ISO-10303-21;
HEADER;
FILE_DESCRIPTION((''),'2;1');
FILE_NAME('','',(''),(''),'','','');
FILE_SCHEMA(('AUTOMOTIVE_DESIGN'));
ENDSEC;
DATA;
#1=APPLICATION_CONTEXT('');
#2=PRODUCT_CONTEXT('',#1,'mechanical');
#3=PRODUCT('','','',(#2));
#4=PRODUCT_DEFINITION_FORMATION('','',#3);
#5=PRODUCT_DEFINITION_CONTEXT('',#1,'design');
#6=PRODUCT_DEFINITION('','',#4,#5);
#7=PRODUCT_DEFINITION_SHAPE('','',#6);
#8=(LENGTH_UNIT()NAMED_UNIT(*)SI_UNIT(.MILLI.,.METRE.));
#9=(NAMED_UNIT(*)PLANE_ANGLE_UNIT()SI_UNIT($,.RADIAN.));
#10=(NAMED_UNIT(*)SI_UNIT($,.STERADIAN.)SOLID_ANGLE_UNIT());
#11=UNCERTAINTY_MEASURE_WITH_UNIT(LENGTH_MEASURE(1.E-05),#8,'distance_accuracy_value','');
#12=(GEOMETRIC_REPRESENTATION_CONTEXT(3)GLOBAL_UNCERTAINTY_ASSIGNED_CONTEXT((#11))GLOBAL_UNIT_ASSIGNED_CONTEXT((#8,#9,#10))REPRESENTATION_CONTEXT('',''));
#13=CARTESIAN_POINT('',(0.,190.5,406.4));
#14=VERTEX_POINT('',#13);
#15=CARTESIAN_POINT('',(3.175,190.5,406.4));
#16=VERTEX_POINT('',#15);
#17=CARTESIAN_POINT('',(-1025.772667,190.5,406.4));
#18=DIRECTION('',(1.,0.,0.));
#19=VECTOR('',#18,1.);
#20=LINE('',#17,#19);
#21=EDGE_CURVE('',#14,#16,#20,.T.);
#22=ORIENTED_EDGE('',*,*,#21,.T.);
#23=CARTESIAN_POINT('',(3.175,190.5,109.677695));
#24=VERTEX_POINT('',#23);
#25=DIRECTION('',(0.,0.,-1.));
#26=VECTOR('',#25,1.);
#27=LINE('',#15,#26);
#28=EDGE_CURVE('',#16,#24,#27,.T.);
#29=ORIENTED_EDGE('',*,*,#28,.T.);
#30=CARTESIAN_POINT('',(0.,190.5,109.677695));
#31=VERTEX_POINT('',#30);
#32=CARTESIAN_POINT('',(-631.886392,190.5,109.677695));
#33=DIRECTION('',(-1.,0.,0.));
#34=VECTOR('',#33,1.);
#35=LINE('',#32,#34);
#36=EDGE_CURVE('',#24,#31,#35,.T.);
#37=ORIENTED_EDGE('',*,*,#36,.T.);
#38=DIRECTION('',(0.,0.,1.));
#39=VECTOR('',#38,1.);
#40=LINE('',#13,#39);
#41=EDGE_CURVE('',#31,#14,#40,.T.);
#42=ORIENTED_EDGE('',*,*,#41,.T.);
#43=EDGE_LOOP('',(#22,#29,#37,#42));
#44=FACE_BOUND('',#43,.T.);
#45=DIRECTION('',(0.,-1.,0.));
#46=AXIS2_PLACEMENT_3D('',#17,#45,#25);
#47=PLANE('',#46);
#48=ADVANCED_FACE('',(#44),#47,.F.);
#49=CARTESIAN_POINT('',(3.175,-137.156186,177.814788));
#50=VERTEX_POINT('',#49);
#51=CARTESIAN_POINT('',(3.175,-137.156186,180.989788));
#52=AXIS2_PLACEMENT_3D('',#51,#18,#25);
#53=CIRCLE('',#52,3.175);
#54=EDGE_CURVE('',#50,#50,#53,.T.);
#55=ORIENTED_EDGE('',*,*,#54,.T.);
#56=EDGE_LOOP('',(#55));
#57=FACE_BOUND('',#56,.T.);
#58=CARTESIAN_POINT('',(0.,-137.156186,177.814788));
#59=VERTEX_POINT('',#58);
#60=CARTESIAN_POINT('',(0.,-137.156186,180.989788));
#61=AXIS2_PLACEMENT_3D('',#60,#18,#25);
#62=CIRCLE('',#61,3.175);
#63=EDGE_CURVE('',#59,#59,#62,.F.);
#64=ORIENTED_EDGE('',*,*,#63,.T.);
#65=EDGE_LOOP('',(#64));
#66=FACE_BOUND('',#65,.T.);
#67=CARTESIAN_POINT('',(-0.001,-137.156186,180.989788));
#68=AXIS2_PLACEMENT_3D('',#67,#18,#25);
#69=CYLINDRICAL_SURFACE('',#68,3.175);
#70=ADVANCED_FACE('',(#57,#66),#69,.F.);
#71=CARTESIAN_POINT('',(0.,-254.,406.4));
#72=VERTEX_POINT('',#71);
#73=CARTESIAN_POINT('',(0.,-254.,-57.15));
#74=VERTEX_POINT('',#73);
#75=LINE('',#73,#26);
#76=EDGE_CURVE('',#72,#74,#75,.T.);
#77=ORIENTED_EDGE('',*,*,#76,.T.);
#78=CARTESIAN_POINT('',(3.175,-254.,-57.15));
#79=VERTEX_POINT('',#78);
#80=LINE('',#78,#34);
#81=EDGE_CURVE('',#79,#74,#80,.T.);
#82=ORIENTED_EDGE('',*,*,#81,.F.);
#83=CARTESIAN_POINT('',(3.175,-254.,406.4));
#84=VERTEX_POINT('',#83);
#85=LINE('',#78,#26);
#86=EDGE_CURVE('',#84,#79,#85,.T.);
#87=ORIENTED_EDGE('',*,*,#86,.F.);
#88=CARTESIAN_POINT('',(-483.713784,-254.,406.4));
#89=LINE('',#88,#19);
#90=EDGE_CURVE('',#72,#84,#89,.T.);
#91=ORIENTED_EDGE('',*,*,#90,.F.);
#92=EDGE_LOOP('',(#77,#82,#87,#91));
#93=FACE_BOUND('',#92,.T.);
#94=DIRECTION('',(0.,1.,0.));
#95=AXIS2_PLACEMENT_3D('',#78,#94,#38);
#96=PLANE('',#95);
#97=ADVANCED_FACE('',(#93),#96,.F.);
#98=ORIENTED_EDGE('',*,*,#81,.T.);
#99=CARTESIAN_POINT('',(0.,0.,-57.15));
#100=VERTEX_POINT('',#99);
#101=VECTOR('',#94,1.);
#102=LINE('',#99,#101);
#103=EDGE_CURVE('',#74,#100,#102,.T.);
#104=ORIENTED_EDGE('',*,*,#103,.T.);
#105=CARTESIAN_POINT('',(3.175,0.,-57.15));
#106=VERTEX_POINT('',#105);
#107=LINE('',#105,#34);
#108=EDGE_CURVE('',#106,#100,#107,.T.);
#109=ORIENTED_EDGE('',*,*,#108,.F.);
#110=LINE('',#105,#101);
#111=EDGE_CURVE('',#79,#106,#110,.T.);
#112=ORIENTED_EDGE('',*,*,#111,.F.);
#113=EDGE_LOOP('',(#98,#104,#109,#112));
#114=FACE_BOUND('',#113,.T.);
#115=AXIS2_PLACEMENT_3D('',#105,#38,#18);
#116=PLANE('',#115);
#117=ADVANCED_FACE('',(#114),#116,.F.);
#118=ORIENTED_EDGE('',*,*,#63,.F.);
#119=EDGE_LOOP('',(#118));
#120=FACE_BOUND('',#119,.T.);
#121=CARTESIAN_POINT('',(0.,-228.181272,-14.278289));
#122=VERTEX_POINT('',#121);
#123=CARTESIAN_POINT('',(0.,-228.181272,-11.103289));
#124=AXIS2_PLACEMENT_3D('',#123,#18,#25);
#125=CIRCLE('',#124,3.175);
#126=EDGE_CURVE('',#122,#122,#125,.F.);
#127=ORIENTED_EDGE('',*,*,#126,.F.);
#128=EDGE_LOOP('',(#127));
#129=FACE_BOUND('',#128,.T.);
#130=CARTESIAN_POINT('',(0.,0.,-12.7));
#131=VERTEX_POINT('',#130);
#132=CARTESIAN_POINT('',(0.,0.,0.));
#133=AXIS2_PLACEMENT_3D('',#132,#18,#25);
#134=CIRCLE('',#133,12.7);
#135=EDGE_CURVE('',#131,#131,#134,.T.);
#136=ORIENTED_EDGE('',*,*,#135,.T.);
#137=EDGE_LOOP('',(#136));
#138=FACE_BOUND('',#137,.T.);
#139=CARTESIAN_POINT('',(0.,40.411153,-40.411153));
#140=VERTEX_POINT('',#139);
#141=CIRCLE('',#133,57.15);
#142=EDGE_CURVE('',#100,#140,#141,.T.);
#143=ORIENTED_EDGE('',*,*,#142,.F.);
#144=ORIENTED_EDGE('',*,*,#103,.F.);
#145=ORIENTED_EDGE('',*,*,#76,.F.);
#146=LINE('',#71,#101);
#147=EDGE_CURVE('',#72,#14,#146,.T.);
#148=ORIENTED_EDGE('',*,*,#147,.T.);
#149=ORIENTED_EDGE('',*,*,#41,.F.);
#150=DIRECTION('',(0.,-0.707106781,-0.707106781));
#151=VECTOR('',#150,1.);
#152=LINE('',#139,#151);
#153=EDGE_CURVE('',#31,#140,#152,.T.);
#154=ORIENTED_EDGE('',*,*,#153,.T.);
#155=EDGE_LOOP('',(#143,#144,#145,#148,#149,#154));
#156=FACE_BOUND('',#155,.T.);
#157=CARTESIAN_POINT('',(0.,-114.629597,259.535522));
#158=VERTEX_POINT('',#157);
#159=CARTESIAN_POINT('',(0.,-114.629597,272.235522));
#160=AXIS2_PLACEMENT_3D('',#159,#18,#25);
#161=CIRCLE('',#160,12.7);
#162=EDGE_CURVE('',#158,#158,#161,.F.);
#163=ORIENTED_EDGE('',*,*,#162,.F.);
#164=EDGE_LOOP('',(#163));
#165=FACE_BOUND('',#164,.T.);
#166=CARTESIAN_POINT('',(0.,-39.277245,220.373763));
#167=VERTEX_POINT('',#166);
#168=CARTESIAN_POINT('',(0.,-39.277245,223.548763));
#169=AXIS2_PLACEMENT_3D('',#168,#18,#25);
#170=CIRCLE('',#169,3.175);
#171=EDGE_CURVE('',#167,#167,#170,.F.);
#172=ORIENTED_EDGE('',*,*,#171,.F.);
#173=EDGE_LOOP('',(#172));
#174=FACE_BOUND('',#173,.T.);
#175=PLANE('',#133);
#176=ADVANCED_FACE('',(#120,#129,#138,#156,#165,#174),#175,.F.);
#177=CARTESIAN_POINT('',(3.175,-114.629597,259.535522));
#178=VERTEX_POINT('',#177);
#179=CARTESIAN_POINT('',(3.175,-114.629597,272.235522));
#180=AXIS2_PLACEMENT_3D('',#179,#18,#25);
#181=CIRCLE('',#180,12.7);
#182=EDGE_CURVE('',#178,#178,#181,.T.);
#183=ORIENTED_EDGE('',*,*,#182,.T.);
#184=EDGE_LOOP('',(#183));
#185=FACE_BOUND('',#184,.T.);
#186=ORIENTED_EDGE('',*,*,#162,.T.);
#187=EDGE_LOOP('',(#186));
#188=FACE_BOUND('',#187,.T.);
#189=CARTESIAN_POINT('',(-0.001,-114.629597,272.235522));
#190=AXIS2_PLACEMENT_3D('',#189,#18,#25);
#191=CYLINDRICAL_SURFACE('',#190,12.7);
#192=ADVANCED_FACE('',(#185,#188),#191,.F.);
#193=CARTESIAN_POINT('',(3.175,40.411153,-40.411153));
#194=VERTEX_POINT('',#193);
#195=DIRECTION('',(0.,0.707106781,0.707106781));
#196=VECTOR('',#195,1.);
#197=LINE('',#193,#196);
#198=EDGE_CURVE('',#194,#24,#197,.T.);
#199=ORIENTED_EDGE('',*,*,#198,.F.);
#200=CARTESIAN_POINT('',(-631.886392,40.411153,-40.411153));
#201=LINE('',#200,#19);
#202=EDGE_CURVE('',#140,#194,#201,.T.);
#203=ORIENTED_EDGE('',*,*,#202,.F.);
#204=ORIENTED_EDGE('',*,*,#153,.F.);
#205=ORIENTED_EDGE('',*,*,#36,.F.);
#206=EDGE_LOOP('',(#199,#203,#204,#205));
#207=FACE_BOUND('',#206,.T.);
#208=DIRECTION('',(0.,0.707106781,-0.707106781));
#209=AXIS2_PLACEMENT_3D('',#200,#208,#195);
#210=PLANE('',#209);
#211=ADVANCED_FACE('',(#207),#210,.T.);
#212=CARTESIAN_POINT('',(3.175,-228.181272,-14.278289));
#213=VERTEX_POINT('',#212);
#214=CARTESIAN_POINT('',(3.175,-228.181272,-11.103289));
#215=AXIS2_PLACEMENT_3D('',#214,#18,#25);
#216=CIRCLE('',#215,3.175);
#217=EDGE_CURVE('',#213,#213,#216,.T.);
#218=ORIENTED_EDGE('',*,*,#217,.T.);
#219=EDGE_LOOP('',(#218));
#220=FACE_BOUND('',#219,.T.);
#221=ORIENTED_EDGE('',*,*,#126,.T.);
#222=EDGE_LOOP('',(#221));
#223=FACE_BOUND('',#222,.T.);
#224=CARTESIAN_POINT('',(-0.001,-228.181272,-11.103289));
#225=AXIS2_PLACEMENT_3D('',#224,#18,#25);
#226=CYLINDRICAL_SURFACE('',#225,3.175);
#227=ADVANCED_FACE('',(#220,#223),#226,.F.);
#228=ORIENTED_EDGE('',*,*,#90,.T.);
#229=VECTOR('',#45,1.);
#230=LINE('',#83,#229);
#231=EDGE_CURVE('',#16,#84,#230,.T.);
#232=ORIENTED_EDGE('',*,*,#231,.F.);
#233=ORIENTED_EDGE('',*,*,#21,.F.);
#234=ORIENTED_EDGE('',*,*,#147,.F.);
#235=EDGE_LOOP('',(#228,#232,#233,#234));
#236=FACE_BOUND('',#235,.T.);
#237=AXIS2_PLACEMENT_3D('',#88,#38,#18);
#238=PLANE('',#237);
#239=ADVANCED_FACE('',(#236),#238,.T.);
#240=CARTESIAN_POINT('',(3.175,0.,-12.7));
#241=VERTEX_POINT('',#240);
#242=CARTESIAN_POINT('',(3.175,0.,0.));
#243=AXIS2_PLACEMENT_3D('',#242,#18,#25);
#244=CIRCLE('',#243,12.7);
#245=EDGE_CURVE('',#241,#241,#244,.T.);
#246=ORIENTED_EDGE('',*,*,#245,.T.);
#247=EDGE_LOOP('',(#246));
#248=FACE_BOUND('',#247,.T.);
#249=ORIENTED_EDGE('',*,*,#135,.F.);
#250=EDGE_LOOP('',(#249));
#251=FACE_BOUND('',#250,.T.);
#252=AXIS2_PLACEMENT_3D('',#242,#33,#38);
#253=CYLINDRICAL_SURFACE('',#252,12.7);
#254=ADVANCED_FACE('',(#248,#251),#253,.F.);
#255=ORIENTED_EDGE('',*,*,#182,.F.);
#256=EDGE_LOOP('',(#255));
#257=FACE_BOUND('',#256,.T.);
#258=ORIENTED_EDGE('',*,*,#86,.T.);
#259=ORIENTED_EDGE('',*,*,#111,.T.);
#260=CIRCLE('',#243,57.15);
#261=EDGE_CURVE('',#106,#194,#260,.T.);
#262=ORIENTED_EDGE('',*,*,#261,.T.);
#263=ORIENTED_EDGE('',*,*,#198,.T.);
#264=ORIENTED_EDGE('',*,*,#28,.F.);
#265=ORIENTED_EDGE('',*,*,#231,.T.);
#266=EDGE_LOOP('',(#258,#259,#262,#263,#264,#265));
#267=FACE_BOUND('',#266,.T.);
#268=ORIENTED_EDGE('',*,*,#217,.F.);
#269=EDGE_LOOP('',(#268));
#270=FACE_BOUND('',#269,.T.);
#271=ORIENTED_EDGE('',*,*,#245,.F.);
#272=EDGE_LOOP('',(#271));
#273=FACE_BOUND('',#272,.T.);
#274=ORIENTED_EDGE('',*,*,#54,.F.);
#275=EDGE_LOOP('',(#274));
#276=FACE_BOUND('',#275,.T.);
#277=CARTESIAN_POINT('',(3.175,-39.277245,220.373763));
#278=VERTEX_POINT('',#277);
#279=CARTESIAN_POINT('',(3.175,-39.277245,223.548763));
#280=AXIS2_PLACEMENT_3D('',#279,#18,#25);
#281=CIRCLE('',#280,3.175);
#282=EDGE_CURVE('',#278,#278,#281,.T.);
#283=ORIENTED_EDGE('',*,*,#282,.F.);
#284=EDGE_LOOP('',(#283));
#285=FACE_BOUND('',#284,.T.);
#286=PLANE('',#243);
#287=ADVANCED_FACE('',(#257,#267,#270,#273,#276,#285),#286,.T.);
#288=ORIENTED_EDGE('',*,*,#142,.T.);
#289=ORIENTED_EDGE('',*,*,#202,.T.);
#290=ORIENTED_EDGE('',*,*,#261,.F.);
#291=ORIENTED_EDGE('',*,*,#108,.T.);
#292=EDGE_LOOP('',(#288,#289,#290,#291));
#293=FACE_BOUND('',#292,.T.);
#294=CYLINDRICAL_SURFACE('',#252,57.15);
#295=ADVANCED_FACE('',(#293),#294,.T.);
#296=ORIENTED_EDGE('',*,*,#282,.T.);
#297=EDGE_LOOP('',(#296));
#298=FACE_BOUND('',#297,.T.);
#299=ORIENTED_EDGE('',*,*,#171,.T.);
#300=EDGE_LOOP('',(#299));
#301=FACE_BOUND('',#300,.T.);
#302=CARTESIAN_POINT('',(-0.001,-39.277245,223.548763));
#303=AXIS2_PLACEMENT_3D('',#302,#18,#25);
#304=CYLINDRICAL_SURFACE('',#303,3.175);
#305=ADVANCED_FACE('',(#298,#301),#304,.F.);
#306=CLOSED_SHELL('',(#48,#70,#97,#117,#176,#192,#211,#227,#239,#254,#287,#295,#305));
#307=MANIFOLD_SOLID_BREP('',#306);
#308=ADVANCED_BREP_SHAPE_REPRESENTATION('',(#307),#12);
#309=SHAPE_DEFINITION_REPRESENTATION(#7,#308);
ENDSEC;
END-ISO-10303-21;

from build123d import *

# Parameters (mm, degrees)
SKETCH1_R           = 12.7
BOSS_EXTRUDE1_DEPTH = 3.175
CUT_EXTRUDE1_REACH  = 5.175
SKETCH2_R           = 3.175
BOSS_EXTRUDE2_DEPTH = 3.175
BOSS_EXTRUDE3_DEPTH = 3.175
CUT_EXTRUDE2_REACH  = 5.175
SKETCH5_R           = 12.7
BOSS_EXTRUDE4_DEPTH = 3.175
SKETCH7_W           = 739.335123301
SKETCH7_H           = 711.050730063
CUT_EXTRUDE3_DEPTH  = 3.175


with BuildPart() as part:
    # Sketch1 → Boss-Extrude1 (new body)
    with BuildSketch(Plane(origin=(0, 0, 0), x_dir=(0, 0, -1), z_dir=(1, 0, 0))):
        with BuildLine():
            Line((-217.899389282, 130.521477737), (17.58316119, 54.3778902))
            ThreePointArc((17.58316119, 54.3778902), (46.211471314, 33.624729277), (57.15, 0))
            Line((57.15, 0), (57.15, -254))
            Line((57.15, -254), (0, -254))
            ThreePointArc((0, -254), (-220.984677461, -125.226883405), (-217.899389282, 130.521477737))
        make_face()
        Circle(SKETCH1_R, mode=Mode.SUBTRACT)
    extrude(amount=BOSS_EXTRUDE1_DEPTH)

    # Sketch2 → Cut-Extrude1 (cut, up to next)
    with BuildSketch(Plane(origin=(3.175, 0, 0), x_dir=(0, 0, -1), z_dir=(1, 0, 0)), mode=Mode.PRIVATE) as cut_extrude1_sk1:
        with Locations((11.103289152, -228.181271676)):
            Circle(SKETCH2_R)
    cut_extrude1_tool1 = extrude(cut_extrude1_sk1.sketch, amount=-CUT_EXTRUDE1_REACH, mode=Mode.PRIVATE) & part.part
    add(cut_extrude1_tool1.solids().sort_by_distance((3.175, -228.181272, -11.103289))[0], mode=Mode.SUBTRACT)
    # Sketch2 → Cut-Extrude1 (cut, up to next)
    with BuildSketch(Plane(origin=(3.175, 0, 0), x_dir=(0, 0, -1), z_dir=(1, 0, 0)), mode=Mode.PRIVATE) as cut_extrude1_sk2:
        with Locations((-180.989788445, -137.156185968)):
            Circle(SKETCH2_R)
    cut_extrude1_tool2 = extrude(cut_extrude1_sk2.sketch, amount=-CUT_EXTRUDE1_REACH, mode=Mode.PRIVATE) & part.part
    add(cut_extrude1_tool2.solids().sort_by_distance((3.175, -137.156186, 180.989788))[0], mode=Mode.SUBTRACT)
    # Sketch2 → Cut-Extrude1 (cut, up to next)
    with BuildSketch(Plane(origin=(3.175, 0, 0), x_dir=(0, 0, -1), z_dir=(1, 0, 0)), mode=Mode.PRIVATE) as cut_extrude1_sk3:
        with Locations((-223.548763187, -39.27724509)):
            Circle(SKETCH2_R)
    cut_extrude1_tool3 = extrude(cut_extrude1_sk3.sketch, amount=-CUT_EXTRUDE1_REACH, mode=Mode.PRIVATE) & part.part
    add(cut_extrude1_tool3.solids().sort_by_distance((3.175, -39.277245, 223.548763))[0], mode=Mode.SUBTRACT)

    # Sketch3 → Boss-Extrude2 (add)
    with BuildSketch(Plane(origin=(3.175, 0, 0), x_dir=(0, 0, -1), z_dir=(1, 0, 0))):
        with BuildLine():
            Line((0, -254), (-254, -254))
            Line((-254, -254), (-254, 0))
            ThreePointArc((-254, 0), (-179.605122421, -179.605122421), (0, -254))
        make_face()
    extrude(amount=-BOSS_EXTRUDE2_DEPTH)

    # Sketch4 → Boss-Extrude3 (add)
    with BuildSketch(Plane(origin=(3.175, 0, 0), x_dir=(0, 0, -1), z_dir=(1, 0, 0))):
        with BuildLine():
            Line((-254, -254), (-406.4, -254))
            Line((-406.4, -254), (-406.4, 191.473394235))
            Line((-406.4, 191.473394235), (-217.899389282, 130.521477737))
            ThreePointArc((-217.899389282, 130.521477737), (-244.808542414, 67.710985528), (-254, 0))
            Line((-254, 0), (-254, -254))
        make_face()
    extrude(amount=-BOSS_EXTRUDE3_DEPTH)

    # Sketch5 → Cut-Extrude2 (cut, up to next)
    with BuildSketch(Plane(origin=(3.175, 0, 0), x_dir=(0, 0, -1), z_dir=(1, 0, 0)), mode=Mode.PRIVATE) as cut_extrude2_sk1:
        with Locations((-272.235522473, -114.629596607)):
            Circle(SKETCH5_R)
    cut_extrude2_tool1 = extrude(cut_extrude2_sk1.sketch, amount=-CUT_EXTRUDE2_REACH, mode=Mode.PRIVATE) & part.part
    add(cut_extrude2_tool1.solids().sort_by_distance((3.175, -114.629597, 272.235522))[0], mode=Mode.SUBTRACT)

    # Sketch6 → Boss-Extrude4 (add)
    with BuildSketch(Plane(origin=(3.175, 0, 0), x_dir=(0, 0, -1), z_dir=(1, 0, 0))):
        with BuildLine():
            Line((40.411152545, 40.411152545), (-406.4, 487.22230509))
            Line((-406.4, 487.22230509), (-406.4, 191.473394235))
            Line((-406.4, 191.473394235), (17.58316119, 54.3778902))
            ThreePointArc((17.58316119, 54.3778902), (29.826205702, 48.749563623), (40.411152545, 40.411152545))
        make_face()
    extrude(amount=-BOSS_EXTRUDE4_DEPTH)

    # Sketch7 → Cut-Extrude3 (cut)
    with BuildSketch(Plane(origin=(3.175, 0, 0), x_dir=(0, 0, -1), z_dir=(1, 0, 0))):
        with Locations((-36.73243835, 546.025365032)):
            Rectangle(SKETCH7_W, SKETCH7_H)
    extrude(amount=-CUT_EXTRUDE3_DEPTH, mode=Mode.SUBTRACT)


solid = part.part
